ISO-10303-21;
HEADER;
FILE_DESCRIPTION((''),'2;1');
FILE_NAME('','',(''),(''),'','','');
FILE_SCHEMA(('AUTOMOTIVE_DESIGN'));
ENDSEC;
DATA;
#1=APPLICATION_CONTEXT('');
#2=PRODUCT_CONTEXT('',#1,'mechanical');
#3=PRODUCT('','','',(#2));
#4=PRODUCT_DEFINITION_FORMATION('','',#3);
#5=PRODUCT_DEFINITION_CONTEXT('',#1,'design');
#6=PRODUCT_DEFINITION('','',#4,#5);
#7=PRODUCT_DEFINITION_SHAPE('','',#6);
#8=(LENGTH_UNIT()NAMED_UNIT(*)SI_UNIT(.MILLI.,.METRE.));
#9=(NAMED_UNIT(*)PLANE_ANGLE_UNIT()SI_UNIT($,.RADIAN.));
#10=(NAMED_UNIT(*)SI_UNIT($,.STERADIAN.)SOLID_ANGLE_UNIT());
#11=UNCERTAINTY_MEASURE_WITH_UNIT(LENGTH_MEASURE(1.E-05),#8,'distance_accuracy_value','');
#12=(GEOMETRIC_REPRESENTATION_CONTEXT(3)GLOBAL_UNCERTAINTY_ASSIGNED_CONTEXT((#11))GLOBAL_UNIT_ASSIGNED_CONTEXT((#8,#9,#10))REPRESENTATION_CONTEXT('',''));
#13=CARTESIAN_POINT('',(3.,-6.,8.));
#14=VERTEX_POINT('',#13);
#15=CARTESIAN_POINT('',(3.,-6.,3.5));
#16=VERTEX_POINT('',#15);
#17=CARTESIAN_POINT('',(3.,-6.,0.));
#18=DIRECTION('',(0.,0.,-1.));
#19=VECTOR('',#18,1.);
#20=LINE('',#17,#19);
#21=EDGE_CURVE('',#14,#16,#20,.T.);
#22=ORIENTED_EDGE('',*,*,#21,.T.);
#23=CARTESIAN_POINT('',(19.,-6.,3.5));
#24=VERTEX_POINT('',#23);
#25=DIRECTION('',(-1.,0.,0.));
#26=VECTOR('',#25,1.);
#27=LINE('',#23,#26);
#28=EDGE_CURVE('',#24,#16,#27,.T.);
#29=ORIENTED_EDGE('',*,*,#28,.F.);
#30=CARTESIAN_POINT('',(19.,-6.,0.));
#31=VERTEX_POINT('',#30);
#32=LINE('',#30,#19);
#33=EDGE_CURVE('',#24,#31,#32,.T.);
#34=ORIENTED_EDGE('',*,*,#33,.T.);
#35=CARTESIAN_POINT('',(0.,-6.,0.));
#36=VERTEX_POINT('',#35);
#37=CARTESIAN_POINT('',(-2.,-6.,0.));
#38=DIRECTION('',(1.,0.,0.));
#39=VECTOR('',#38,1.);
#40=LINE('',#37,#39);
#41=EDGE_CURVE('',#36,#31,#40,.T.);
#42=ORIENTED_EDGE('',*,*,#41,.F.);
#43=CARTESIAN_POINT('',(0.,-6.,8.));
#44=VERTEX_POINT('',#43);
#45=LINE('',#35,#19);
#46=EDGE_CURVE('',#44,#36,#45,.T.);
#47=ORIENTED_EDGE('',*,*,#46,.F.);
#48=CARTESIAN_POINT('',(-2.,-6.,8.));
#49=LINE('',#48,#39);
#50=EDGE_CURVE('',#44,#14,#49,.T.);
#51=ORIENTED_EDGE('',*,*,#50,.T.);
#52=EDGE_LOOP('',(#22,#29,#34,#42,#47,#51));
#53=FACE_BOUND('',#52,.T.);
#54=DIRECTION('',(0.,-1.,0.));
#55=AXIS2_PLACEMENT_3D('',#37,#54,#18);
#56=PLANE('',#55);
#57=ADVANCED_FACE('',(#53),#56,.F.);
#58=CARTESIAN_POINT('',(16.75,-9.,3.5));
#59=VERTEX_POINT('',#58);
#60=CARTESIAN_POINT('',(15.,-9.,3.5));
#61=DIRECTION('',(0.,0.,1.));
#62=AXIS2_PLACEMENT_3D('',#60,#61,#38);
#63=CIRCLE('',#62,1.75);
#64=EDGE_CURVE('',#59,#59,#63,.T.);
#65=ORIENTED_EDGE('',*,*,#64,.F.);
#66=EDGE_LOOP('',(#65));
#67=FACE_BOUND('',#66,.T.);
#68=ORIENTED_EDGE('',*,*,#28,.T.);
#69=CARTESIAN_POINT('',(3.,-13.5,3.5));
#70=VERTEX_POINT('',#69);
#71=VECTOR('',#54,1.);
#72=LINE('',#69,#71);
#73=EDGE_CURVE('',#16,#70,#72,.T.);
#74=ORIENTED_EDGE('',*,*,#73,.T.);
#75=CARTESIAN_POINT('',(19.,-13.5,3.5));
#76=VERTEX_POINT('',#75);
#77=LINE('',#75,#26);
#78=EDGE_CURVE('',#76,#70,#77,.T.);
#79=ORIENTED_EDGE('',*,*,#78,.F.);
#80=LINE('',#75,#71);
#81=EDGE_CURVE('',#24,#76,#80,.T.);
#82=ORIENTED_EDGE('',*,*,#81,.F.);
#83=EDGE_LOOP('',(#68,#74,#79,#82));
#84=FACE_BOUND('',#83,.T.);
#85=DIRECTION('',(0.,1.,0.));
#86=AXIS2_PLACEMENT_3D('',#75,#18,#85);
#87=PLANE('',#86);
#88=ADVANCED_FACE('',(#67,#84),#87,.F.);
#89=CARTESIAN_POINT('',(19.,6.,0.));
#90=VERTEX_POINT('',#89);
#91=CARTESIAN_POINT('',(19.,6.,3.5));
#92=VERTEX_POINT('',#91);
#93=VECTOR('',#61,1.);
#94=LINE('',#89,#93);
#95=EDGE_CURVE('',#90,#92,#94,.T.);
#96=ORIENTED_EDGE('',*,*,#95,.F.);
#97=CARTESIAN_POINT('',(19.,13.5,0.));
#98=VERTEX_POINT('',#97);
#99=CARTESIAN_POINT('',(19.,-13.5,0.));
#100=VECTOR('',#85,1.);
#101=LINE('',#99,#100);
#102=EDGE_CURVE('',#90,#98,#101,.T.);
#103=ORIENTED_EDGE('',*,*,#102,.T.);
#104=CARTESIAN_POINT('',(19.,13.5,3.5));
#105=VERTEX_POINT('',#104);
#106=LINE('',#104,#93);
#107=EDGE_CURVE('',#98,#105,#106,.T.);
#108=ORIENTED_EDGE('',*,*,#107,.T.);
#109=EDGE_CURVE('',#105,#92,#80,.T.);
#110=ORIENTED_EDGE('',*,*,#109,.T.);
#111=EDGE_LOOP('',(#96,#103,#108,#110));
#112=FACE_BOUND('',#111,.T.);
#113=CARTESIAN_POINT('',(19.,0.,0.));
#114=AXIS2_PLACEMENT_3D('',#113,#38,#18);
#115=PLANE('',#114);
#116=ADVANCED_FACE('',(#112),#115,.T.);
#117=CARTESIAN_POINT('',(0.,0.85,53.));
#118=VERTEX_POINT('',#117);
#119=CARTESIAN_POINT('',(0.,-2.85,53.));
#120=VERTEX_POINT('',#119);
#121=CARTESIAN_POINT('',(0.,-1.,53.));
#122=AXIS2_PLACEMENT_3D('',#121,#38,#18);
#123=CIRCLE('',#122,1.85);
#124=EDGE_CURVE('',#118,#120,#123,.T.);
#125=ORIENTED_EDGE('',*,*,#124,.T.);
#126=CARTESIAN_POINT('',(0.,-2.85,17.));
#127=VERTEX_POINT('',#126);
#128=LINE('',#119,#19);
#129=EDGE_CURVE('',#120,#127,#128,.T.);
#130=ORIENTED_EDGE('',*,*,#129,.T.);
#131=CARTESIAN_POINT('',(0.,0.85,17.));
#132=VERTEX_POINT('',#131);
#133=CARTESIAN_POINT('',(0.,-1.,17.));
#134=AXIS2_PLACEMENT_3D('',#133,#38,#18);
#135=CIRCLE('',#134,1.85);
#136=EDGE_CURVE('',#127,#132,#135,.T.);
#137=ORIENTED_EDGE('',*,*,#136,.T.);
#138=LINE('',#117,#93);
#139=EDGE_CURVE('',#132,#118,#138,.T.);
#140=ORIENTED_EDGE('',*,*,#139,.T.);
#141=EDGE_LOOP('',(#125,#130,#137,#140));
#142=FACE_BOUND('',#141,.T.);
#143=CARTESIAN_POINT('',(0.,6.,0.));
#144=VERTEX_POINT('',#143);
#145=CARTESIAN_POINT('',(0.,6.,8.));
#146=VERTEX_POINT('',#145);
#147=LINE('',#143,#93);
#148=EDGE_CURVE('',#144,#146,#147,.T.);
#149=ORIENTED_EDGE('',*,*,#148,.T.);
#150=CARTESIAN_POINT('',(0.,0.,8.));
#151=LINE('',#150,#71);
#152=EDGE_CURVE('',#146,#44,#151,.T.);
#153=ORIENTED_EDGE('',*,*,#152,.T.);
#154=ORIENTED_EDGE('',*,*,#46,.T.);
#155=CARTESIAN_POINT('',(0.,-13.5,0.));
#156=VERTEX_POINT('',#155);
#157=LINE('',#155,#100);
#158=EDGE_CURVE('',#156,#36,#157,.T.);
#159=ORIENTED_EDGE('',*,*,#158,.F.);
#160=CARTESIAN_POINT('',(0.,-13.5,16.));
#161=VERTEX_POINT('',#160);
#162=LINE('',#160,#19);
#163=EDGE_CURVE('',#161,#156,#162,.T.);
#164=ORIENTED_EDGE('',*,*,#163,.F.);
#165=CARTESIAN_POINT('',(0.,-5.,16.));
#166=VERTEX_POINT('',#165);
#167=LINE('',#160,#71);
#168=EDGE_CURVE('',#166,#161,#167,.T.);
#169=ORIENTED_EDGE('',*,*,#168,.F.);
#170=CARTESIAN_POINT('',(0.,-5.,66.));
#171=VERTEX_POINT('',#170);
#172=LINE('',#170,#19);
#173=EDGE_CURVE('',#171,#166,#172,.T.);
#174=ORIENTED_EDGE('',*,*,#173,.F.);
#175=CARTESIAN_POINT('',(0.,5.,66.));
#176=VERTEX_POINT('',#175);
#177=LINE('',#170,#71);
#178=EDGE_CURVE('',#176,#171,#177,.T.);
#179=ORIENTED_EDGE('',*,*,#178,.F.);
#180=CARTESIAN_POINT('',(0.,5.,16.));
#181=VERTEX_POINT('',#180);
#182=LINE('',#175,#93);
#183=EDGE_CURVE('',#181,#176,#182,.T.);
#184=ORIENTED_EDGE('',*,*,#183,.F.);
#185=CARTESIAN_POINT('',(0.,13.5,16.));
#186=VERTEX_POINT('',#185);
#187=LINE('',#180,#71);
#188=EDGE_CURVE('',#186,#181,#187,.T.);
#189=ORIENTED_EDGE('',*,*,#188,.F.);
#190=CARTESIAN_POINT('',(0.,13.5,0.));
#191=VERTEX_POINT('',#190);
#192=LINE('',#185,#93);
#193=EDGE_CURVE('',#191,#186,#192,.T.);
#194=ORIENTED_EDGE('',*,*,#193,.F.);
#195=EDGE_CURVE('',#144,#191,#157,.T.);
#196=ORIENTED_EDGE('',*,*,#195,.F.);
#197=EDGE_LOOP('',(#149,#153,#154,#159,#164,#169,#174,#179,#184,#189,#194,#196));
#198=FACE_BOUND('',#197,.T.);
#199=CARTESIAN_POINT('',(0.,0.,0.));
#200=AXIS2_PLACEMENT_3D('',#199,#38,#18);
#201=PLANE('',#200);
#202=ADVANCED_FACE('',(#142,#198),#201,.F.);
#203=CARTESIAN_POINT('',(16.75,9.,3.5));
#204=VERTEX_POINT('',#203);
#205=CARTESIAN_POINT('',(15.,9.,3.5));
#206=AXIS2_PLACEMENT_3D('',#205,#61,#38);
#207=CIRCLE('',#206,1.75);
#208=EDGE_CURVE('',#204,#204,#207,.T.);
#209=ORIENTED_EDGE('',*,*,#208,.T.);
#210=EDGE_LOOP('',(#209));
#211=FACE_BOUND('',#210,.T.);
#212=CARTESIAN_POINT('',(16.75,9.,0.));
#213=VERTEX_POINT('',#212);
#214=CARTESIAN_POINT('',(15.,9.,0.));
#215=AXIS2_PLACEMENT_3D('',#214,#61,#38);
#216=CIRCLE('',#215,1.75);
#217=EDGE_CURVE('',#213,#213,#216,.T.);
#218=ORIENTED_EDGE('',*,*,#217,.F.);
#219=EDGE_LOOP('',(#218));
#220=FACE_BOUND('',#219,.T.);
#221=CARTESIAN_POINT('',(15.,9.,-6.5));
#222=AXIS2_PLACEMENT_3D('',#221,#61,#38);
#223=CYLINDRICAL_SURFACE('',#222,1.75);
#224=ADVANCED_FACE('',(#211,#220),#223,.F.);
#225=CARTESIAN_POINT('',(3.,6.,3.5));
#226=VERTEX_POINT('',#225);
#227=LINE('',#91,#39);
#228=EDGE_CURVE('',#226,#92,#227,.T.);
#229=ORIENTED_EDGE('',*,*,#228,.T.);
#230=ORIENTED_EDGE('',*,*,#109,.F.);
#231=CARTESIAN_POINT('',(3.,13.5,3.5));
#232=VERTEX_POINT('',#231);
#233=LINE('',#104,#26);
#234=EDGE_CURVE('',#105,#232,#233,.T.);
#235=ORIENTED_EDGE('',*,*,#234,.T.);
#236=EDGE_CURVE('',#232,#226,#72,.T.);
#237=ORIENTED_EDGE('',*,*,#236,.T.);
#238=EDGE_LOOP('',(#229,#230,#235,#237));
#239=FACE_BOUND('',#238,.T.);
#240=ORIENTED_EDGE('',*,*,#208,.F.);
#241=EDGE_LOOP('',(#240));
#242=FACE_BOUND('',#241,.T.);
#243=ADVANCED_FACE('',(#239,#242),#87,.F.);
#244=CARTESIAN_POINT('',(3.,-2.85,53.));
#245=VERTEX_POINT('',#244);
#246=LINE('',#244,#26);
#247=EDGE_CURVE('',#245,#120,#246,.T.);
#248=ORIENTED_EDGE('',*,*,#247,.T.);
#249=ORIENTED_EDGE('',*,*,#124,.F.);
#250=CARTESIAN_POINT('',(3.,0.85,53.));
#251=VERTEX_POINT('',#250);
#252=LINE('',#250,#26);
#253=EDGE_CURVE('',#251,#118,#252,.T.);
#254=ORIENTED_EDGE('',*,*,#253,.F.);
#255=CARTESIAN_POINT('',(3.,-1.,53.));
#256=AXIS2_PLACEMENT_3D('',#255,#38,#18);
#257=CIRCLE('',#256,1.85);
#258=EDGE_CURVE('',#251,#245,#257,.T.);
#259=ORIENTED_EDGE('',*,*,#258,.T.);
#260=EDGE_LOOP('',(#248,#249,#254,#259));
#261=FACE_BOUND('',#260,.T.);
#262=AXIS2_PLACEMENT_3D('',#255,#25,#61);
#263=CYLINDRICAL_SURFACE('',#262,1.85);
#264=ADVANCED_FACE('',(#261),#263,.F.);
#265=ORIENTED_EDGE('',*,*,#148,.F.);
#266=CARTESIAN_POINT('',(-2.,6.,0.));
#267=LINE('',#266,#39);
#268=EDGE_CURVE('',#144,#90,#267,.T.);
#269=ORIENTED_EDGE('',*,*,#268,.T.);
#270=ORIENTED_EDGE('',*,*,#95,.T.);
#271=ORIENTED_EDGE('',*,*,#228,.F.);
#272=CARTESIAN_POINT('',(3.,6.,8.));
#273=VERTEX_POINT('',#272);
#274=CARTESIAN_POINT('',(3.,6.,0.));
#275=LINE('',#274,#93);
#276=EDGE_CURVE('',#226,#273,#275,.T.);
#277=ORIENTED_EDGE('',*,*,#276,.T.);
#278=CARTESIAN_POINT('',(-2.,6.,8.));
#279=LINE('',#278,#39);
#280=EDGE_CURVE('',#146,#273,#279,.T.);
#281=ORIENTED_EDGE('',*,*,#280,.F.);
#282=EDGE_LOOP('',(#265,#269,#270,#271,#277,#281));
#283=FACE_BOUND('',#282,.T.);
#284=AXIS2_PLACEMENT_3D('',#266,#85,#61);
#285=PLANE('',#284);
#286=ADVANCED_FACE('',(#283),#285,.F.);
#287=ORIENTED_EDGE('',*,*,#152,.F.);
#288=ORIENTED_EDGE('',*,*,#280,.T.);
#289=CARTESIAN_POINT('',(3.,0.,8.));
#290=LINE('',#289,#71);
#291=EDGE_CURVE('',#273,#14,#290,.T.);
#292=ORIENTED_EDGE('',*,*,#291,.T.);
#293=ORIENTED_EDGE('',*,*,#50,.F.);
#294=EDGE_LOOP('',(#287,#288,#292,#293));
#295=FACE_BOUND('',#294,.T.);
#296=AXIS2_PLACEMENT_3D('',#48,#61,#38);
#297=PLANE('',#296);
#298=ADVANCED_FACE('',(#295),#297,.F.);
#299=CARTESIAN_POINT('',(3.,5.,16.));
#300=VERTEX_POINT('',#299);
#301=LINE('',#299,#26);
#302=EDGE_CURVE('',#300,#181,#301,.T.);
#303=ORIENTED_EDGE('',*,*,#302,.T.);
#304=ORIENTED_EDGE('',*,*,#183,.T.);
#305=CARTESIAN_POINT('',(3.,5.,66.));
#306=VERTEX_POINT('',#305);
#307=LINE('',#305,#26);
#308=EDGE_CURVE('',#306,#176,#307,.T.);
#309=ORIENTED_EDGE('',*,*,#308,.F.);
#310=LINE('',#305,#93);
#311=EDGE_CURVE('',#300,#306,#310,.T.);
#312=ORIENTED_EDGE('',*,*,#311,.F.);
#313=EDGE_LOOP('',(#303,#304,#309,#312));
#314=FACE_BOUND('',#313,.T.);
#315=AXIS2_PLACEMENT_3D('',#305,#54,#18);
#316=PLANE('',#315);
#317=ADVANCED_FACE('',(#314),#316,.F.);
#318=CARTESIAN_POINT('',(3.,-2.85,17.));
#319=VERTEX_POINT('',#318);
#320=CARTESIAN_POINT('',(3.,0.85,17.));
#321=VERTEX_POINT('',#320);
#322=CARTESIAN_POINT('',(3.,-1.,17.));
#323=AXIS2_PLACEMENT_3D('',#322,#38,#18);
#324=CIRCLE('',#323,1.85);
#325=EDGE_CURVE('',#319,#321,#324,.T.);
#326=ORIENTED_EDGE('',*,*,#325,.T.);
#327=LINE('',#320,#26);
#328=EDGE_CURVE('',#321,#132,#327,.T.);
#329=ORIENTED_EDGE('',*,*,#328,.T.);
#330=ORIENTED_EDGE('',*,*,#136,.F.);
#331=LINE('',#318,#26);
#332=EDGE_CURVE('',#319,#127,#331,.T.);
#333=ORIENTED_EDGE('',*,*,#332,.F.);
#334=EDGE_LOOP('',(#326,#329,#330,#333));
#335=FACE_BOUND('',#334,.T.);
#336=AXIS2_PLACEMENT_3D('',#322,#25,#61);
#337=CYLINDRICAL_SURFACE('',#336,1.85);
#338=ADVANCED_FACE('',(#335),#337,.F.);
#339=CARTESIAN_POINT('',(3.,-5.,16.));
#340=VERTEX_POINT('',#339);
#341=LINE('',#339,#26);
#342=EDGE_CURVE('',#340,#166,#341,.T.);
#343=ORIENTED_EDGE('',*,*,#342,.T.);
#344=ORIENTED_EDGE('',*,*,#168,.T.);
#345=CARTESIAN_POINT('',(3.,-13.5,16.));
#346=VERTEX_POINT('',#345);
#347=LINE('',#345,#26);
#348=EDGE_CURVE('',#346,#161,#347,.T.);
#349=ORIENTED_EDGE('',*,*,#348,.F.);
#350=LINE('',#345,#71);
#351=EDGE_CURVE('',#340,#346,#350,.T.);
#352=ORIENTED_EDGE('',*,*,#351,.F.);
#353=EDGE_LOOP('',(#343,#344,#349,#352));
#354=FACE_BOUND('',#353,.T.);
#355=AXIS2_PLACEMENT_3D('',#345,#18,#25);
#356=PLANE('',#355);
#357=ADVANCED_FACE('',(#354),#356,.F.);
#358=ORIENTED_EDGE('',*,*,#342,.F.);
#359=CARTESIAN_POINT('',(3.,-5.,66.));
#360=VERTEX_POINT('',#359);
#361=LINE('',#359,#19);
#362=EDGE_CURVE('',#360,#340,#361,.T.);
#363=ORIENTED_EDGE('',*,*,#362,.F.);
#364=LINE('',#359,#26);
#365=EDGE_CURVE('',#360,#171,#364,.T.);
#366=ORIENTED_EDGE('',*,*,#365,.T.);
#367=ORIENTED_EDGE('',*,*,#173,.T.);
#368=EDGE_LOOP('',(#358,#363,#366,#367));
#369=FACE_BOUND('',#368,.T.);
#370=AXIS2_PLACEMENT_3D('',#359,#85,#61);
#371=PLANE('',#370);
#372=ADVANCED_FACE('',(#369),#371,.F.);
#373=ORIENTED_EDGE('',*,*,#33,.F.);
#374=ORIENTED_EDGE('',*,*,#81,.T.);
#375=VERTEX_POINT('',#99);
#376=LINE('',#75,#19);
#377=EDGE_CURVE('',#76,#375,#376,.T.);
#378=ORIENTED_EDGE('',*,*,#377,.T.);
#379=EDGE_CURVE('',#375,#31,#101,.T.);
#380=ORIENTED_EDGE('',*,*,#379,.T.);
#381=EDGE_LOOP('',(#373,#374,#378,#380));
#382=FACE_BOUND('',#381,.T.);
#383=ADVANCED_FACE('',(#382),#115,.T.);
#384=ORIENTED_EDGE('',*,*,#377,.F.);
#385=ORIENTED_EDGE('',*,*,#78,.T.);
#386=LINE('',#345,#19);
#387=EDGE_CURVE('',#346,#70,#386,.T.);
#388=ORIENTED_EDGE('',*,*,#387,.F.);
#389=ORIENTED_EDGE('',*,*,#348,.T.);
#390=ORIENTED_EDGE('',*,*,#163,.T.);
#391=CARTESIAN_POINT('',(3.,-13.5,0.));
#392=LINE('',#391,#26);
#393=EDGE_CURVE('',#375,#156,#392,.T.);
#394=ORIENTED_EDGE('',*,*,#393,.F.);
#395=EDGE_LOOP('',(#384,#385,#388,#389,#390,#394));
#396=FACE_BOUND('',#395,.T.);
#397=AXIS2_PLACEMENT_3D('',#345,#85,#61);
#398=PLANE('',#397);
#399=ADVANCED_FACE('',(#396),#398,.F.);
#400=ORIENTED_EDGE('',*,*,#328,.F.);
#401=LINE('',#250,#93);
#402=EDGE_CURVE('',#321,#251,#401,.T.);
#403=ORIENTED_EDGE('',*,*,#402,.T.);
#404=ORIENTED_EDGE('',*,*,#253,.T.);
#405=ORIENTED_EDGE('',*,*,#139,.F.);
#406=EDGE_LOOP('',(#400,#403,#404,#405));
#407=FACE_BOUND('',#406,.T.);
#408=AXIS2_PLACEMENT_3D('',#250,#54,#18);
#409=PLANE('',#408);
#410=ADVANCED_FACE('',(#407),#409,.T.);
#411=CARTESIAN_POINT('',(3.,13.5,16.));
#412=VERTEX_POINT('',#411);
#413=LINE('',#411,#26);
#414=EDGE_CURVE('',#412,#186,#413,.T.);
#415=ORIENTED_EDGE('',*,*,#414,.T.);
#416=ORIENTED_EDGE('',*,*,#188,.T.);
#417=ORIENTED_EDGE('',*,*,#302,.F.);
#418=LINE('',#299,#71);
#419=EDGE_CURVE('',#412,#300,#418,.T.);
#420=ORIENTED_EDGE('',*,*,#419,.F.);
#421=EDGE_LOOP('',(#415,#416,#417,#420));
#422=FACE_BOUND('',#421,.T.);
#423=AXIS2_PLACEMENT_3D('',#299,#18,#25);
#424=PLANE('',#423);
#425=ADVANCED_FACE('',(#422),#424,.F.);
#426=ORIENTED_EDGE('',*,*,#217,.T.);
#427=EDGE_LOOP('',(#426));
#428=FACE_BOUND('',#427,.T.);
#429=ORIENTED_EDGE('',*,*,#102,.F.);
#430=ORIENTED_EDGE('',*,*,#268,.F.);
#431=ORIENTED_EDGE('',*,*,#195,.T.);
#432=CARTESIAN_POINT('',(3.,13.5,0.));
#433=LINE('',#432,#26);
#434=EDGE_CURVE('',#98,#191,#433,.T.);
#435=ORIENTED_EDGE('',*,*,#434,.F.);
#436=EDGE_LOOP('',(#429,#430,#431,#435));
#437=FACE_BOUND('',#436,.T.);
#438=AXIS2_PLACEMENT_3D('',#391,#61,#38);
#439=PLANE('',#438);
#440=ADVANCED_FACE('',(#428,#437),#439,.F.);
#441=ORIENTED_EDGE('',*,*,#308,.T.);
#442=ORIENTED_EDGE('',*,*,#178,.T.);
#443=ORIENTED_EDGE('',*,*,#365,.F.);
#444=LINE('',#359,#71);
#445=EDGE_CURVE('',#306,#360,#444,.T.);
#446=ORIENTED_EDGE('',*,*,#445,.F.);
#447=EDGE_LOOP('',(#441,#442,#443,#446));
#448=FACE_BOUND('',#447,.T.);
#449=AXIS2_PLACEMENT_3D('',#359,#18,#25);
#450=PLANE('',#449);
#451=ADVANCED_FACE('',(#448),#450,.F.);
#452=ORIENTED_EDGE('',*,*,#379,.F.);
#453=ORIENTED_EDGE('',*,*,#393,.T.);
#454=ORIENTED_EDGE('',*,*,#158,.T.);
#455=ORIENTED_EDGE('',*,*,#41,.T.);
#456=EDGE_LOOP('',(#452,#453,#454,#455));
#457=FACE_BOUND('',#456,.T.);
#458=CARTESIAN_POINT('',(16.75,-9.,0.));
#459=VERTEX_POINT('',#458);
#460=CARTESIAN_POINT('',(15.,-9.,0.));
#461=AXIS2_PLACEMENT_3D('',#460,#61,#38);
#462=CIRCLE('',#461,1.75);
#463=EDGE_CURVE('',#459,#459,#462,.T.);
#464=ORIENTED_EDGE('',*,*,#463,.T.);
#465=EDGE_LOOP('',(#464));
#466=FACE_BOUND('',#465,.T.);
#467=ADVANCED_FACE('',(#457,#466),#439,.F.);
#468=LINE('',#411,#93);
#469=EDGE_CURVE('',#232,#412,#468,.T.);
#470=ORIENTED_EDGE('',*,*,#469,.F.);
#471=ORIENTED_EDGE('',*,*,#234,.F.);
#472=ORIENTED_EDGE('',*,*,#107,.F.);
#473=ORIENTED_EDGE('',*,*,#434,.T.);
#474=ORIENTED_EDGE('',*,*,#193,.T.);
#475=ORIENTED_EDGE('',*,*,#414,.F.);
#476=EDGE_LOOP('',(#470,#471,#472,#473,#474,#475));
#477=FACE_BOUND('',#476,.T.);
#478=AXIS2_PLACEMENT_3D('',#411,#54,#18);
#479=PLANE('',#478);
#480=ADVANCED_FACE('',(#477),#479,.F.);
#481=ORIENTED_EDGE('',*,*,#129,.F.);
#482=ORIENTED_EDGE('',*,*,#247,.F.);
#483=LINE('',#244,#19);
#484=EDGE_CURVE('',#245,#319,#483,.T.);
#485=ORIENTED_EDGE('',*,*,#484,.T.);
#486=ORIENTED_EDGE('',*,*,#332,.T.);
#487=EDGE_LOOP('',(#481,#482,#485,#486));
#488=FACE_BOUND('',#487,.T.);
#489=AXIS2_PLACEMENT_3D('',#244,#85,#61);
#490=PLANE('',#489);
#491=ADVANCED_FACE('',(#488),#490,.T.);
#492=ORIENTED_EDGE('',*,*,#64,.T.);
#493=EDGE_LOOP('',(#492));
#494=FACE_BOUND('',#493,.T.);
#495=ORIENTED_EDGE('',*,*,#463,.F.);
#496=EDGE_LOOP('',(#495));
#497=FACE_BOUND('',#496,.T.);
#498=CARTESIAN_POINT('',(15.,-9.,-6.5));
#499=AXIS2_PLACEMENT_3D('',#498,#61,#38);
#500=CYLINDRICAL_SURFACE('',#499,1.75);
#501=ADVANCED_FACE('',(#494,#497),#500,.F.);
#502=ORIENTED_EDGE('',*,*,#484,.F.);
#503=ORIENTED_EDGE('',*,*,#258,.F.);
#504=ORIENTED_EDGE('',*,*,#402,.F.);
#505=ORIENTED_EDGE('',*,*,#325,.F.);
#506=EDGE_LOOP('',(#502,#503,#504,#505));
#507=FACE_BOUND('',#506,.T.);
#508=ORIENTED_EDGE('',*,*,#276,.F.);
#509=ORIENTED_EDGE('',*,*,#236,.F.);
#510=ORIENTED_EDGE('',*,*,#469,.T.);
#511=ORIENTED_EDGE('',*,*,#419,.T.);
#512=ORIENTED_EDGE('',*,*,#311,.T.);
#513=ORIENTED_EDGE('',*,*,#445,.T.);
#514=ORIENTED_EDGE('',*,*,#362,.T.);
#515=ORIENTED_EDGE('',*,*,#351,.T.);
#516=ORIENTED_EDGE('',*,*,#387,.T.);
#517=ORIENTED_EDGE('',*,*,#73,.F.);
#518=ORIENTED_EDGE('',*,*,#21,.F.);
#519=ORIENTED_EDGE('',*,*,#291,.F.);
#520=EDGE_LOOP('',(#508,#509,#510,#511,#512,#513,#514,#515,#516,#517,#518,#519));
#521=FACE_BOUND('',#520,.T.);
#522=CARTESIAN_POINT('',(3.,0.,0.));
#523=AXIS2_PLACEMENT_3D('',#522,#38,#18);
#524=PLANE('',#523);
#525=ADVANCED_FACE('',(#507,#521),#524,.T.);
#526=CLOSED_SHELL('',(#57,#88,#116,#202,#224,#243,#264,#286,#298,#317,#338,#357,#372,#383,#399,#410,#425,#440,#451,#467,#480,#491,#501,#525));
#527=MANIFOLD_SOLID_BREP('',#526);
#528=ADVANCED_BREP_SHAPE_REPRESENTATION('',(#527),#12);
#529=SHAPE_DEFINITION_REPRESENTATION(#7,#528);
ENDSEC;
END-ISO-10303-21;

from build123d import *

# Parameters (mm, degrees)
BOSS_EXTRUDE1_DEPTH = 3
SKETCH3_W           = 27
SKETCH3_H           = 3.5
BOSS_EXTRUDE2_DEPTH = 16
SKETCH4_R           = 1.75
CUT_EXTRUDE1_DEPTH  = 10
SKETCH5_W           = 12
SKETCH5_H           = 8
CUT_EXTRUDE2_DEPTH  = 21


with BuildPart() as part:
    # Sketch2 → Boss-Extrude1 (new body)
    with BuildSketch(Plane.YZ):
        Polygon((-5, 66), (5, 66), (5, 16), (13.5, 16), (13.5, 0), (-13.5, 0), (-13.5, 16), (-5, 16), align=None)
        with BuildLine():
            Line((0.85, 53), (0.85, 17))
            ThreePointArc((0.85, 17), (-1, 15.15), (-2.85, 17))
            Line((-2.85, 17), (-2.85, 53))
            ThreePointArc((-2.85, 53), (-1, 54.85), (0.85, 53))
        make_face(mode=Mode.SUBTRACT)
    extrude(amount=BOSS_EXTRUDE1_DEPTH)

    # Sketch3 → Boss-Extrude2 (add)
    with BuildSketch(Plane.YZ.offset(3)):
        with Locations((0, 1.75)):
            Rectangle(SKETCH3_W, SKETCH3_H)
    extrude(amount=BOSS_EXTRUDE2_DEPTH)

    # Sketch4 → Cut-Extrude1 (cut)
    with BuildSketch(Plane.XY.offset(3.5)):
        with Locations((15, 9)):
            Circle(SKETCH4_R)
        with Locations((15, -9)):
            Circle(SKETCH4_R)
    extrude(amount=-CUT_EXTRUDE1_DEPTH, mode=Mode.SUBTRACT)

    # Sketch5 → Cut-Extrude2 (cut)
    with BuildSketch(Plane.YZ.offset(19)):
        with Locations((0, 4)):
            Rectangle(SKETCH5_W, SKETCH5_H)
    extrude(amount=-CUT_EXTRUDE2_DEPTH, mode=Mode.SUBTRACT)


solid = part.part
